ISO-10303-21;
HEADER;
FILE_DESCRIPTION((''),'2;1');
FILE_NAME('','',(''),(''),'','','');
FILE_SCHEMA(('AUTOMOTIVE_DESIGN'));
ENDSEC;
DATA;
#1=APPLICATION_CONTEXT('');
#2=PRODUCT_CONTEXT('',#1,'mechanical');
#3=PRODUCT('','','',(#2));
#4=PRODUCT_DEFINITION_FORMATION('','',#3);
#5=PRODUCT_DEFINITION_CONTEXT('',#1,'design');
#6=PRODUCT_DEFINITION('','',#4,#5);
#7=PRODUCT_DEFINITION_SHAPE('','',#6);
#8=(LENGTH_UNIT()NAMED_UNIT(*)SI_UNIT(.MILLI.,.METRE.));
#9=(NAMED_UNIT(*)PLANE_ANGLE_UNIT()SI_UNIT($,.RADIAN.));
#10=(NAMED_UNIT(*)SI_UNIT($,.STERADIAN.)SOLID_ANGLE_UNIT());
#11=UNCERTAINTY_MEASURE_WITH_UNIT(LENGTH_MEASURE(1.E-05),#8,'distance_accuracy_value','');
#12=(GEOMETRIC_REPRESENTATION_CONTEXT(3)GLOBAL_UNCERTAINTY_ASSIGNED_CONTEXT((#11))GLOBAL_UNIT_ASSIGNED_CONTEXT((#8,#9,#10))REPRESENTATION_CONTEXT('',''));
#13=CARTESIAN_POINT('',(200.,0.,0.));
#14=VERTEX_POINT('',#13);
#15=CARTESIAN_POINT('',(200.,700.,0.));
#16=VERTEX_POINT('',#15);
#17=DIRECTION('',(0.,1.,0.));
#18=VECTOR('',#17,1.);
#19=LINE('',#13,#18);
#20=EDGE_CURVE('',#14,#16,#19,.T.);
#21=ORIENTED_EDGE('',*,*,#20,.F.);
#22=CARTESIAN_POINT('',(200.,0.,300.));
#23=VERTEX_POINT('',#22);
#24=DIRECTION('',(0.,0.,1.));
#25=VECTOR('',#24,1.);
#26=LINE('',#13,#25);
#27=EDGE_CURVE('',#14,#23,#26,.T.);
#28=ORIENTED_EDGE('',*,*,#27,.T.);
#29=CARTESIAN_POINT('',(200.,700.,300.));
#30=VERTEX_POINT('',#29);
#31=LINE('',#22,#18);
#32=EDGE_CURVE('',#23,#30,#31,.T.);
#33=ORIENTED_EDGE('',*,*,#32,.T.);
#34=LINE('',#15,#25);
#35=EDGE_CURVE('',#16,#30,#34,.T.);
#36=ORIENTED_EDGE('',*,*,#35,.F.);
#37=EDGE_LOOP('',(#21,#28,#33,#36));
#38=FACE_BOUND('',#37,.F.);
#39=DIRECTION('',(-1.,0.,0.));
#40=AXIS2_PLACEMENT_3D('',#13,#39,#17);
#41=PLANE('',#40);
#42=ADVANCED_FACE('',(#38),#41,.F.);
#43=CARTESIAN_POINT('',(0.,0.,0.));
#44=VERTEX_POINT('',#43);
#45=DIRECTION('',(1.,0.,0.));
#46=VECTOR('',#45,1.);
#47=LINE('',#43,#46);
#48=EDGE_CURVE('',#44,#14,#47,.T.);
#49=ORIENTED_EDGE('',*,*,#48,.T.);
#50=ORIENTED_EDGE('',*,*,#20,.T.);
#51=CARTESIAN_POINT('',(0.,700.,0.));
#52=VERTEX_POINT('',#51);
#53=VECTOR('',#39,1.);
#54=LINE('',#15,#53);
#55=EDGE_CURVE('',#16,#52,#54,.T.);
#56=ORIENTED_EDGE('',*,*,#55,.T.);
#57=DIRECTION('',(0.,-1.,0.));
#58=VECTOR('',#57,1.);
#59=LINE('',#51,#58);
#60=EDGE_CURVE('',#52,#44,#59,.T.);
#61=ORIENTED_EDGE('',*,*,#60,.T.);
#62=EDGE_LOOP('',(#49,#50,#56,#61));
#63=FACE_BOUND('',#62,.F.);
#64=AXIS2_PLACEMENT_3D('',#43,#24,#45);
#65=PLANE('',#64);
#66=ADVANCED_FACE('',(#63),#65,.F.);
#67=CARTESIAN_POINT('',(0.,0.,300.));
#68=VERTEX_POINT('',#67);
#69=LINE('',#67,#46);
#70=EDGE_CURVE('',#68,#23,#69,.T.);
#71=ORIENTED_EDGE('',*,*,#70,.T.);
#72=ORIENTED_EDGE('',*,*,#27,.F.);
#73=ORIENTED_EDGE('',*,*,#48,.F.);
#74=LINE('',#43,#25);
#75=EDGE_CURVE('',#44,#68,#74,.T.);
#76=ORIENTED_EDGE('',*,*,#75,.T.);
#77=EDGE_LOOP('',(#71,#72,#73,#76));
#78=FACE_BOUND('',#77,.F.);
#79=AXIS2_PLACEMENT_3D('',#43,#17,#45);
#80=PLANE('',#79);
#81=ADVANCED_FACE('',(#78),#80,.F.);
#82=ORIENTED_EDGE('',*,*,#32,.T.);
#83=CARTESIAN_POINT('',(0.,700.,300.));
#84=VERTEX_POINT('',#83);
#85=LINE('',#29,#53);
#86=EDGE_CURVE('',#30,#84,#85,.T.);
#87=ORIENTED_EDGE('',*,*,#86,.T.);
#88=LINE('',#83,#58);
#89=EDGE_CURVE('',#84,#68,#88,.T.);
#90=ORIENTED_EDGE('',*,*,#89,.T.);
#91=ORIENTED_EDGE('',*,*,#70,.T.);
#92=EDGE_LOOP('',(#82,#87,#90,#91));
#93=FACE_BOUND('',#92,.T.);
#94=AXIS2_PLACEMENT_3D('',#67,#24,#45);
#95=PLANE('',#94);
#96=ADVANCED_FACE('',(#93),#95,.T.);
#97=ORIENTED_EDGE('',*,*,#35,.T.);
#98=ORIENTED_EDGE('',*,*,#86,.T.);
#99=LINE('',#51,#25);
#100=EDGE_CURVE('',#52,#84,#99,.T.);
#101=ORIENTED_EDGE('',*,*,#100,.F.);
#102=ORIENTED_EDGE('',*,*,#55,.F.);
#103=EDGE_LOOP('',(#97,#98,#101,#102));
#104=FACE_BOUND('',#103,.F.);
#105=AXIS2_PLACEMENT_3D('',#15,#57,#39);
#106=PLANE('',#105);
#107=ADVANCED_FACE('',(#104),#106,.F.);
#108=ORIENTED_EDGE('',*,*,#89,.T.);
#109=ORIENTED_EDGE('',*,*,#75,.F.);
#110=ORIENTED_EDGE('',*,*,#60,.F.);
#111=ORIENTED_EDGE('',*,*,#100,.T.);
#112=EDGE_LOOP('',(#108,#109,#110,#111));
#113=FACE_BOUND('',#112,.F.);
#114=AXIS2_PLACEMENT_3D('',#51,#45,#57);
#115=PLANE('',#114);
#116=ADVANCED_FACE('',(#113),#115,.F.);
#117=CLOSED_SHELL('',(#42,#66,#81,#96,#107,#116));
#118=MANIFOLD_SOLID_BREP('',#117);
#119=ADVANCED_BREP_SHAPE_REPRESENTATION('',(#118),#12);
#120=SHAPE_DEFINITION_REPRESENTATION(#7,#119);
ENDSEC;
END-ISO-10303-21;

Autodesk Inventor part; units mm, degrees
ref_plane "YZ Plane" through (0, 0, 0) normal (1, 0, 0) x (0, 1, 0)
ref_plane "XZ Plane" through (0, 0, 0) normal (0, 1, 0) x (-1, 0, 0)
ref_plane "XY Plane" through (0, 0, 0) normal (0, 0, 1) x (1, 0, 0)
sketch "草圖1" plane through (0, 0, 0) normal (0, 0, 1) x (1, 0, 0)
  line L0 (0, 0) -> (200, 0)
  line L1 (200, 0) -> (200, 700)
  line L2 (200, 700) -> (0, 700)
  line L3 (0, 700) -> (0, 0)
  dimension "d0" = 200
  dimension "d1" = 700
extrude "擠出1" add sketch "草圖1" along normal blind 300
properties part number "桌2"
